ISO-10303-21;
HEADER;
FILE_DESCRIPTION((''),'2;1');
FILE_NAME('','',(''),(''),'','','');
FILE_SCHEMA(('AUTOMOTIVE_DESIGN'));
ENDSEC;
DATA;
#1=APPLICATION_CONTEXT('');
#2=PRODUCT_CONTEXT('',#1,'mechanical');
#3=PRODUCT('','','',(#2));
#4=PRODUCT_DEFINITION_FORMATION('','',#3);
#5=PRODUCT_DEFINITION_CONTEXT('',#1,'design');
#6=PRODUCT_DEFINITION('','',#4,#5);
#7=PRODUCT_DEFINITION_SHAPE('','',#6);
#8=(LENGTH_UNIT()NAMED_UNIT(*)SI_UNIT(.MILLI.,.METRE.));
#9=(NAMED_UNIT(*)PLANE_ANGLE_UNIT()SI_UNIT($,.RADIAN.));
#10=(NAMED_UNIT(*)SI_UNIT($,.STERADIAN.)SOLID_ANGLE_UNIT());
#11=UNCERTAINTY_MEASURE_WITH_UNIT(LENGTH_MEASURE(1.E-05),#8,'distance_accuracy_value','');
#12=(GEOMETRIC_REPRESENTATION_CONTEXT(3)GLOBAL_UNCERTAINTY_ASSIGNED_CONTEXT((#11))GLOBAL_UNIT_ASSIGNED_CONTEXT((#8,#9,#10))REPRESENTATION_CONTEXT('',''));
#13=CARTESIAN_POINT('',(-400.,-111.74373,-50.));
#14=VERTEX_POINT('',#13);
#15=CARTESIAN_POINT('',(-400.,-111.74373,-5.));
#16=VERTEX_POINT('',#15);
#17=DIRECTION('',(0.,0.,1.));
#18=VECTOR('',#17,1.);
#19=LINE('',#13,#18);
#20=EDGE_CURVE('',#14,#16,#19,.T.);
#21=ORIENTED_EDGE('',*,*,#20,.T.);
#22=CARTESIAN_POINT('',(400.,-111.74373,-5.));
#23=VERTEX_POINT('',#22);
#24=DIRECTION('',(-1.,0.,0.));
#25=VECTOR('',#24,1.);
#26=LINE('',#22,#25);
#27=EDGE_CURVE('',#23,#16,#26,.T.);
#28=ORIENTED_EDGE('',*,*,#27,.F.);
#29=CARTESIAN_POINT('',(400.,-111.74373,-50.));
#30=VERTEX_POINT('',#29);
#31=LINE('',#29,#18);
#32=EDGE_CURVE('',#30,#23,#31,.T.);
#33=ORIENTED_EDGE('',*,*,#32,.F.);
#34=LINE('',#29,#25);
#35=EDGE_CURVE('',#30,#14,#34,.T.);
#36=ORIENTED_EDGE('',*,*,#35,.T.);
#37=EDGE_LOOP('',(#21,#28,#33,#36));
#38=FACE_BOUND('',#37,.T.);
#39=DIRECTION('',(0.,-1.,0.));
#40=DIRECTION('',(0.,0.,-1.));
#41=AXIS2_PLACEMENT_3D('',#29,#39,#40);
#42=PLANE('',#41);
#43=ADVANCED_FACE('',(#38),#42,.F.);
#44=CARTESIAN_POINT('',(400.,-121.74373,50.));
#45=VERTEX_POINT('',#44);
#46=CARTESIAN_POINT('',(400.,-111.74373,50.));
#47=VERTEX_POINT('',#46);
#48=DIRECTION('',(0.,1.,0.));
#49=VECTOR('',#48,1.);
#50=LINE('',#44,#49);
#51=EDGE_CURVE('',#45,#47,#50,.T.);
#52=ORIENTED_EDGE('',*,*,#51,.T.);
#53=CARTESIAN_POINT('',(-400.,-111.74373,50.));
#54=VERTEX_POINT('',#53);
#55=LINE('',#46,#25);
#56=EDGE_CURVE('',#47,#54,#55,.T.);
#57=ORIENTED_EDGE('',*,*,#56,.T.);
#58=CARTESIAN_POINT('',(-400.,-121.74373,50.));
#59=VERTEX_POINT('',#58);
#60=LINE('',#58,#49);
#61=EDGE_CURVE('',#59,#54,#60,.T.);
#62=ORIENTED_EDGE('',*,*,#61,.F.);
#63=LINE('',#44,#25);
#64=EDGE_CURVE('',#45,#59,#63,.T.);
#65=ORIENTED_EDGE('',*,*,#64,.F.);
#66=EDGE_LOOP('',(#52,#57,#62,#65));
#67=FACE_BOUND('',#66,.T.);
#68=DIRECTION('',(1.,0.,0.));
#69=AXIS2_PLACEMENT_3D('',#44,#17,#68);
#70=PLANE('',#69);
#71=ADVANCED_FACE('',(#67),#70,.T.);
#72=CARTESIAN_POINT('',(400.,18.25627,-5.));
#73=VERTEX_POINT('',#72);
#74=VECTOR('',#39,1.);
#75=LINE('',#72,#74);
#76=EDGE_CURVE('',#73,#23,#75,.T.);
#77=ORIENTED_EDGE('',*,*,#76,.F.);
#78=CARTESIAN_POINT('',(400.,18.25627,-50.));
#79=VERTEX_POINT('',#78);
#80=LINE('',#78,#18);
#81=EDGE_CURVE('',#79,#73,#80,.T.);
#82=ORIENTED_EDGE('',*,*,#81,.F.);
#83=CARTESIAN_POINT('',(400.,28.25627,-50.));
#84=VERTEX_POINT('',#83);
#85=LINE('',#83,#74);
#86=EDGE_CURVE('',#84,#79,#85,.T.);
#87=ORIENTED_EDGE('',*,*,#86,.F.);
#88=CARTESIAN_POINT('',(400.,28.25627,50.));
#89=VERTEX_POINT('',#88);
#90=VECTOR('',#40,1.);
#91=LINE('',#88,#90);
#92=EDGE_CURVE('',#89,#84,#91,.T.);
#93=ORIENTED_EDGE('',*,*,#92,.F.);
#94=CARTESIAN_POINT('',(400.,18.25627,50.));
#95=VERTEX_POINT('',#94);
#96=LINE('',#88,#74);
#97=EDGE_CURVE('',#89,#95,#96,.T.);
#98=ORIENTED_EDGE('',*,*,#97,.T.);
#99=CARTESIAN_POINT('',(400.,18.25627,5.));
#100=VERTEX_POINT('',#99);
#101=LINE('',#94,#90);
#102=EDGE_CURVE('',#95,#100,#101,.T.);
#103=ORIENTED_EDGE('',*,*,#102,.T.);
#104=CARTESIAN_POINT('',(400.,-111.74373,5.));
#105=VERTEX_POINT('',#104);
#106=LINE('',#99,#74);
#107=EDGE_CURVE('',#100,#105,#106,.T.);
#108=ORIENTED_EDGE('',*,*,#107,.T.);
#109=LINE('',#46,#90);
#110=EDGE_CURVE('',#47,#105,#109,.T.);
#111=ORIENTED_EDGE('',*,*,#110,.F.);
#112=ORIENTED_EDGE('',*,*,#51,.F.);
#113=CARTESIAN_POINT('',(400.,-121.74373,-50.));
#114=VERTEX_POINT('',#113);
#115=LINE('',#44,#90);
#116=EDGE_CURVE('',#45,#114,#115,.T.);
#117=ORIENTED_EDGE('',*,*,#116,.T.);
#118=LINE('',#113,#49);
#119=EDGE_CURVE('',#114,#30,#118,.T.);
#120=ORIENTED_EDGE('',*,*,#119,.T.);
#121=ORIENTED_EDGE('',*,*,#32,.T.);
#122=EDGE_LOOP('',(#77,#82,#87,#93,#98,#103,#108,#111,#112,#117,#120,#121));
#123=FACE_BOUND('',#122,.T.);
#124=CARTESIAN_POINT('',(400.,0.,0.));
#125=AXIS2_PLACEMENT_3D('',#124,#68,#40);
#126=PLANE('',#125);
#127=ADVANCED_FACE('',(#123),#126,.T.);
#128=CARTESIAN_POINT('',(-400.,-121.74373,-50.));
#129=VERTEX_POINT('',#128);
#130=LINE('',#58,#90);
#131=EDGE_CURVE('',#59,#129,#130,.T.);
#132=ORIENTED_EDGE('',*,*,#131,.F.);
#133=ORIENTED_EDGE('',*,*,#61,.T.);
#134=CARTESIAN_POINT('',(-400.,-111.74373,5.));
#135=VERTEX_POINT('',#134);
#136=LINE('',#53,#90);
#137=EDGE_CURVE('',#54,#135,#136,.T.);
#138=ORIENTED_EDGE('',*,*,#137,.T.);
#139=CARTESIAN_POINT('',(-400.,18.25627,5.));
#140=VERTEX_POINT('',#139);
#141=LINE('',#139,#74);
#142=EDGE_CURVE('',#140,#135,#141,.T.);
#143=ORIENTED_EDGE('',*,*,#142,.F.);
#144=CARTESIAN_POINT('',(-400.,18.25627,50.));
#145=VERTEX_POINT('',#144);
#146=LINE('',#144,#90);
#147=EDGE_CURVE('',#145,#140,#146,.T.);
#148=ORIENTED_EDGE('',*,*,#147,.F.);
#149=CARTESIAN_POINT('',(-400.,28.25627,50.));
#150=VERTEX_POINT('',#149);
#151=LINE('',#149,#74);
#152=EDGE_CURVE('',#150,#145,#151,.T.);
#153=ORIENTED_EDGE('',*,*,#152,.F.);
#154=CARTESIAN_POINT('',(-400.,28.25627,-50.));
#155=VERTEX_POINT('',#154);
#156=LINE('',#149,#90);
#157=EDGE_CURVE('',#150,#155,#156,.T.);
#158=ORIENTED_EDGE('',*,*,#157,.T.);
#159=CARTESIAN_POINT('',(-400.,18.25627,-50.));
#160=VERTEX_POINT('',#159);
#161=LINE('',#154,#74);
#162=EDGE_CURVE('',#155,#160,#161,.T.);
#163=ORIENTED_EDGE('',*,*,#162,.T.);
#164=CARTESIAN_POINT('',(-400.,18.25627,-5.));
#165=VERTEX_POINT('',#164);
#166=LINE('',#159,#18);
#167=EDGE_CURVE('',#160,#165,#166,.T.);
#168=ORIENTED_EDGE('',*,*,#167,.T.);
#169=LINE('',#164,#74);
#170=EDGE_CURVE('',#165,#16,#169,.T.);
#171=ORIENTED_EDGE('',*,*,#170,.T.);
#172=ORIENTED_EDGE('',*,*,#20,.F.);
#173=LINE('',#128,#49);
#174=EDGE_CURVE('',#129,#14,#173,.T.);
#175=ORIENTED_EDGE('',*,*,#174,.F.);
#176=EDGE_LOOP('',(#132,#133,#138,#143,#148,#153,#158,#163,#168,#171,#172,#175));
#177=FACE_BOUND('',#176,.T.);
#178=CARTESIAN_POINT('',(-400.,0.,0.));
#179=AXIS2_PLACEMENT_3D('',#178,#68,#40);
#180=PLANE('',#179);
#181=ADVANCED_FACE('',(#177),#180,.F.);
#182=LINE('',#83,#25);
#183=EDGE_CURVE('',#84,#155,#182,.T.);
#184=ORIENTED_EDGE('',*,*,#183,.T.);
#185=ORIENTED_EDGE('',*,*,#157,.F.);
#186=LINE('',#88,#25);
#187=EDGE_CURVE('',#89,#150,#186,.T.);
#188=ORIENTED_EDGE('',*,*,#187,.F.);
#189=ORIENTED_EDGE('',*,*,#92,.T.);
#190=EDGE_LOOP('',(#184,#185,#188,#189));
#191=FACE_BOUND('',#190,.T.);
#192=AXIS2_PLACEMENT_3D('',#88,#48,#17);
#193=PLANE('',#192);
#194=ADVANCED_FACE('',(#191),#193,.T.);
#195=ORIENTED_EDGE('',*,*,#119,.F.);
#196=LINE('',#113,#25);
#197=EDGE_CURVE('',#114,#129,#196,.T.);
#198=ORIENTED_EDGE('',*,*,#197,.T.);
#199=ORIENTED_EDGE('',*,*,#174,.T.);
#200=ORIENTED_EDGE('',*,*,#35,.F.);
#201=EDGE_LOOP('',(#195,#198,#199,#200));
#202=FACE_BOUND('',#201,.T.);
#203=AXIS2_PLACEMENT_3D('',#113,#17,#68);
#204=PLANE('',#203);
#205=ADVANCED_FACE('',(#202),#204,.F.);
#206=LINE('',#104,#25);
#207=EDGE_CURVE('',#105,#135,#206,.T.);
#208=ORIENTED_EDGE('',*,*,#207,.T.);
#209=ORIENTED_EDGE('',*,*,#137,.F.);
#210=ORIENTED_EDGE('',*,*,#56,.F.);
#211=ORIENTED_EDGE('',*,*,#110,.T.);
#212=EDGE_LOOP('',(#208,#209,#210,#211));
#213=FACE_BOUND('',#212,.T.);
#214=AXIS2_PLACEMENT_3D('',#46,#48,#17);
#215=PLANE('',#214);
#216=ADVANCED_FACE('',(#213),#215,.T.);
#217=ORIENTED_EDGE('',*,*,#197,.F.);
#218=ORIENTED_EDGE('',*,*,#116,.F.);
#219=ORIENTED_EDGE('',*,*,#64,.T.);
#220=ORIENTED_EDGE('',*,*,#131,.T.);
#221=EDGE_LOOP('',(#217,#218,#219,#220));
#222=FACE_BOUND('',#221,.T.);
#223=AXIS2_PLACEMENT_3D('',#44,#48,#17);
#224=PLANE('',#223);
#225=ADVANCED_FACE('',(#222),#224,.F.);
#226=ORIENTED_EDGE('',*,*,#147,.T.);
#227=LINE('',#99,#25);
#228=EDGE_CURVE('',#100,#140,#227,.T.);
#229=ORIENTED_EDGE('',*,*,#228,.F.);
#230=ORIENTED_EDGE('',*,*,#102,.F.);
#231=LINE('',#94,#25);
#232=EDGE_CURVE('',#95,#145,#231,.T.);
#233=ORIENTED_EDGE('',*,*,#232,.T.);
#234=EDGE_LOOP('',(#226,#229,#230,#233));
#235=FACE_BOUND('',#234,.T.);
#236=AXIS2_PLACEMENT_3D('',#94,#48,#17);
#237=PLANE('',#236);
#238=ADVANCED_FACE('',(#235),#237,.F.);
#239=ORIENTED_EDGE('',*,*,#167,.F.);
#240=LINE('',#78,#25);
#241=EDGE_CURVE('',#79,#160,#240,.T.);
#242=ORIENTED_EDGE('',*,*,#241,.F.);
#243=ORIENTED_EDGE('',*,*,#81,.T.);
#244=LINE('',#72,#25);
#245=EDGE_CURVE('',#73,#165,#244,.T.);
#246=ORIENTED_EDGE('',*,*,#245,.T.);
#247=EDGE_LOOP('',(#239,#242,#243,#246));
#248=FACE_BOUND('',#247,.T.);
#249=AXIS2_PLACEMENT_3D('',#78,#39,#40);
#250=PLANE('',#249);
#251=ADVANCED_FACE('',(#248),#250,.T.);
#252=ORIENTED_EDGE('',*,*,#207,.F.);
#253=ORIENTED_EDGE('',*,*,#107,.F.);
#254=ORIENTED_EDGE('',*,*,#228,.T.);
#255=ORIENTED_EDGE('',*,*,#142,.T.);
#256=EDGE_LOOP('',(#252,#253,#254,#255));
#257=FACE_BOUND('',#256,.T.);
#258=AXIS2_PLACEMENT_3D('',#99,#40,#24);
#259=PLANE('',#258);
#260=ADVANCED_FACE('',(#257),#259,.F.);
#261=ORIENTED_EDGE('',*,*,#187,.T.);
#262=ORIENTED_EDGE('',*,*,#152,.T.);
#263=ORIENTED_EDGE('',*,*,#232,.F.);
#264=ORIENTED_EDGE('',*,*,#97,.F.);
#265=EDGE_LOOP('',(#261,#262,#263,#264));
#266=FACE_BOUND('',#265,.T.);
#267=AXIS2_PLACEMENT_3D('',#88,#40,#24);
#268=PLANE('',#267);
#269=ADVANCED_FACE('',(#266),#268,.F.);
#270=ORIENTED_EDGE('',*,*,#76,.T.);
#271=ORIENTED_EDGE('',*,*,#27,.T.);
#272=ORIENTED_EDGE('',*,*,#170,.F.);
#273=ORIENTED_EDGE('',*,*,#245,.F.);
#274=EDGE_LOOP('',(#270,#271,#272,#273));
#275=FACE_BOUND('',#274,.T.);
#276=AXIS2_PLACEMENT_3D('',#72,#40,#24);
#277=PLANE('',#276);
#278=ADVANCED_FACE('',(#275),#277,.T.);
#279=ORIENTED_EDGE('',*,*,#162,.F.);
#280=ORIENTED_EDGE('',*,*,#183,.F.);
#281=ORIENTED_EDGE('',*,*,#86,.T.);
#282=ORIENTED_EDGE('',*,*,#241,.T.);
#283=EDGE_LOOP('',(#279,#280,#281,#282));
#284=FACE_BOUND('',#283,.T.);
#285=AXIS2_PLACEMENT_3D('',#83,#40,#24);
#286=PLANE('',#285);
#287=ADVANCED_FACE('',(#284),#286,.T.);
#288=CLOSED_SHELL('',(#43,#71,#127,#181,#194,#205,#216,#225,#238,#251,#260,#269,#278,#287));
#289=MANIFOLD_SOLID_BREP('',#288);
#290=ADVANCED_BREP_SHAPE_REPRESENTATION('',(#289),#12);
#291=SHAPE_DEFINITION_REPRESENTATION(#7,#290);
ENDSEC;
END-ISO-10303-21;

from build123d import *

# Parameters (mm, degrees)
BOSS_EXTRUDE1_DEPTH = 400


with BuildPart() as part:
    # Sketch1 → Boss-Extrude1 (new body, symmetric)
    with BuildSketch(Plane(origin=(0, 0, 0), x_dir=(0, 0, -1), z_dir=(1, 0, 0))):
        Polygon((-50, 28.256269625), (50, 28.256269625), (50, 18.256269625), (5, 18.256269625), (5, -111.743730375), (50, -111.743730375), (50, -121.743730375), (-50, -121.743730375), (-50, -111.743730375), (-5, -111.743730375), (-5, 18.256269625), (-50, 18.256269625), align=None)
    extrude(amount=BOSS_EXTRUDE1_DEPTH, both=True)


solid = part.part
